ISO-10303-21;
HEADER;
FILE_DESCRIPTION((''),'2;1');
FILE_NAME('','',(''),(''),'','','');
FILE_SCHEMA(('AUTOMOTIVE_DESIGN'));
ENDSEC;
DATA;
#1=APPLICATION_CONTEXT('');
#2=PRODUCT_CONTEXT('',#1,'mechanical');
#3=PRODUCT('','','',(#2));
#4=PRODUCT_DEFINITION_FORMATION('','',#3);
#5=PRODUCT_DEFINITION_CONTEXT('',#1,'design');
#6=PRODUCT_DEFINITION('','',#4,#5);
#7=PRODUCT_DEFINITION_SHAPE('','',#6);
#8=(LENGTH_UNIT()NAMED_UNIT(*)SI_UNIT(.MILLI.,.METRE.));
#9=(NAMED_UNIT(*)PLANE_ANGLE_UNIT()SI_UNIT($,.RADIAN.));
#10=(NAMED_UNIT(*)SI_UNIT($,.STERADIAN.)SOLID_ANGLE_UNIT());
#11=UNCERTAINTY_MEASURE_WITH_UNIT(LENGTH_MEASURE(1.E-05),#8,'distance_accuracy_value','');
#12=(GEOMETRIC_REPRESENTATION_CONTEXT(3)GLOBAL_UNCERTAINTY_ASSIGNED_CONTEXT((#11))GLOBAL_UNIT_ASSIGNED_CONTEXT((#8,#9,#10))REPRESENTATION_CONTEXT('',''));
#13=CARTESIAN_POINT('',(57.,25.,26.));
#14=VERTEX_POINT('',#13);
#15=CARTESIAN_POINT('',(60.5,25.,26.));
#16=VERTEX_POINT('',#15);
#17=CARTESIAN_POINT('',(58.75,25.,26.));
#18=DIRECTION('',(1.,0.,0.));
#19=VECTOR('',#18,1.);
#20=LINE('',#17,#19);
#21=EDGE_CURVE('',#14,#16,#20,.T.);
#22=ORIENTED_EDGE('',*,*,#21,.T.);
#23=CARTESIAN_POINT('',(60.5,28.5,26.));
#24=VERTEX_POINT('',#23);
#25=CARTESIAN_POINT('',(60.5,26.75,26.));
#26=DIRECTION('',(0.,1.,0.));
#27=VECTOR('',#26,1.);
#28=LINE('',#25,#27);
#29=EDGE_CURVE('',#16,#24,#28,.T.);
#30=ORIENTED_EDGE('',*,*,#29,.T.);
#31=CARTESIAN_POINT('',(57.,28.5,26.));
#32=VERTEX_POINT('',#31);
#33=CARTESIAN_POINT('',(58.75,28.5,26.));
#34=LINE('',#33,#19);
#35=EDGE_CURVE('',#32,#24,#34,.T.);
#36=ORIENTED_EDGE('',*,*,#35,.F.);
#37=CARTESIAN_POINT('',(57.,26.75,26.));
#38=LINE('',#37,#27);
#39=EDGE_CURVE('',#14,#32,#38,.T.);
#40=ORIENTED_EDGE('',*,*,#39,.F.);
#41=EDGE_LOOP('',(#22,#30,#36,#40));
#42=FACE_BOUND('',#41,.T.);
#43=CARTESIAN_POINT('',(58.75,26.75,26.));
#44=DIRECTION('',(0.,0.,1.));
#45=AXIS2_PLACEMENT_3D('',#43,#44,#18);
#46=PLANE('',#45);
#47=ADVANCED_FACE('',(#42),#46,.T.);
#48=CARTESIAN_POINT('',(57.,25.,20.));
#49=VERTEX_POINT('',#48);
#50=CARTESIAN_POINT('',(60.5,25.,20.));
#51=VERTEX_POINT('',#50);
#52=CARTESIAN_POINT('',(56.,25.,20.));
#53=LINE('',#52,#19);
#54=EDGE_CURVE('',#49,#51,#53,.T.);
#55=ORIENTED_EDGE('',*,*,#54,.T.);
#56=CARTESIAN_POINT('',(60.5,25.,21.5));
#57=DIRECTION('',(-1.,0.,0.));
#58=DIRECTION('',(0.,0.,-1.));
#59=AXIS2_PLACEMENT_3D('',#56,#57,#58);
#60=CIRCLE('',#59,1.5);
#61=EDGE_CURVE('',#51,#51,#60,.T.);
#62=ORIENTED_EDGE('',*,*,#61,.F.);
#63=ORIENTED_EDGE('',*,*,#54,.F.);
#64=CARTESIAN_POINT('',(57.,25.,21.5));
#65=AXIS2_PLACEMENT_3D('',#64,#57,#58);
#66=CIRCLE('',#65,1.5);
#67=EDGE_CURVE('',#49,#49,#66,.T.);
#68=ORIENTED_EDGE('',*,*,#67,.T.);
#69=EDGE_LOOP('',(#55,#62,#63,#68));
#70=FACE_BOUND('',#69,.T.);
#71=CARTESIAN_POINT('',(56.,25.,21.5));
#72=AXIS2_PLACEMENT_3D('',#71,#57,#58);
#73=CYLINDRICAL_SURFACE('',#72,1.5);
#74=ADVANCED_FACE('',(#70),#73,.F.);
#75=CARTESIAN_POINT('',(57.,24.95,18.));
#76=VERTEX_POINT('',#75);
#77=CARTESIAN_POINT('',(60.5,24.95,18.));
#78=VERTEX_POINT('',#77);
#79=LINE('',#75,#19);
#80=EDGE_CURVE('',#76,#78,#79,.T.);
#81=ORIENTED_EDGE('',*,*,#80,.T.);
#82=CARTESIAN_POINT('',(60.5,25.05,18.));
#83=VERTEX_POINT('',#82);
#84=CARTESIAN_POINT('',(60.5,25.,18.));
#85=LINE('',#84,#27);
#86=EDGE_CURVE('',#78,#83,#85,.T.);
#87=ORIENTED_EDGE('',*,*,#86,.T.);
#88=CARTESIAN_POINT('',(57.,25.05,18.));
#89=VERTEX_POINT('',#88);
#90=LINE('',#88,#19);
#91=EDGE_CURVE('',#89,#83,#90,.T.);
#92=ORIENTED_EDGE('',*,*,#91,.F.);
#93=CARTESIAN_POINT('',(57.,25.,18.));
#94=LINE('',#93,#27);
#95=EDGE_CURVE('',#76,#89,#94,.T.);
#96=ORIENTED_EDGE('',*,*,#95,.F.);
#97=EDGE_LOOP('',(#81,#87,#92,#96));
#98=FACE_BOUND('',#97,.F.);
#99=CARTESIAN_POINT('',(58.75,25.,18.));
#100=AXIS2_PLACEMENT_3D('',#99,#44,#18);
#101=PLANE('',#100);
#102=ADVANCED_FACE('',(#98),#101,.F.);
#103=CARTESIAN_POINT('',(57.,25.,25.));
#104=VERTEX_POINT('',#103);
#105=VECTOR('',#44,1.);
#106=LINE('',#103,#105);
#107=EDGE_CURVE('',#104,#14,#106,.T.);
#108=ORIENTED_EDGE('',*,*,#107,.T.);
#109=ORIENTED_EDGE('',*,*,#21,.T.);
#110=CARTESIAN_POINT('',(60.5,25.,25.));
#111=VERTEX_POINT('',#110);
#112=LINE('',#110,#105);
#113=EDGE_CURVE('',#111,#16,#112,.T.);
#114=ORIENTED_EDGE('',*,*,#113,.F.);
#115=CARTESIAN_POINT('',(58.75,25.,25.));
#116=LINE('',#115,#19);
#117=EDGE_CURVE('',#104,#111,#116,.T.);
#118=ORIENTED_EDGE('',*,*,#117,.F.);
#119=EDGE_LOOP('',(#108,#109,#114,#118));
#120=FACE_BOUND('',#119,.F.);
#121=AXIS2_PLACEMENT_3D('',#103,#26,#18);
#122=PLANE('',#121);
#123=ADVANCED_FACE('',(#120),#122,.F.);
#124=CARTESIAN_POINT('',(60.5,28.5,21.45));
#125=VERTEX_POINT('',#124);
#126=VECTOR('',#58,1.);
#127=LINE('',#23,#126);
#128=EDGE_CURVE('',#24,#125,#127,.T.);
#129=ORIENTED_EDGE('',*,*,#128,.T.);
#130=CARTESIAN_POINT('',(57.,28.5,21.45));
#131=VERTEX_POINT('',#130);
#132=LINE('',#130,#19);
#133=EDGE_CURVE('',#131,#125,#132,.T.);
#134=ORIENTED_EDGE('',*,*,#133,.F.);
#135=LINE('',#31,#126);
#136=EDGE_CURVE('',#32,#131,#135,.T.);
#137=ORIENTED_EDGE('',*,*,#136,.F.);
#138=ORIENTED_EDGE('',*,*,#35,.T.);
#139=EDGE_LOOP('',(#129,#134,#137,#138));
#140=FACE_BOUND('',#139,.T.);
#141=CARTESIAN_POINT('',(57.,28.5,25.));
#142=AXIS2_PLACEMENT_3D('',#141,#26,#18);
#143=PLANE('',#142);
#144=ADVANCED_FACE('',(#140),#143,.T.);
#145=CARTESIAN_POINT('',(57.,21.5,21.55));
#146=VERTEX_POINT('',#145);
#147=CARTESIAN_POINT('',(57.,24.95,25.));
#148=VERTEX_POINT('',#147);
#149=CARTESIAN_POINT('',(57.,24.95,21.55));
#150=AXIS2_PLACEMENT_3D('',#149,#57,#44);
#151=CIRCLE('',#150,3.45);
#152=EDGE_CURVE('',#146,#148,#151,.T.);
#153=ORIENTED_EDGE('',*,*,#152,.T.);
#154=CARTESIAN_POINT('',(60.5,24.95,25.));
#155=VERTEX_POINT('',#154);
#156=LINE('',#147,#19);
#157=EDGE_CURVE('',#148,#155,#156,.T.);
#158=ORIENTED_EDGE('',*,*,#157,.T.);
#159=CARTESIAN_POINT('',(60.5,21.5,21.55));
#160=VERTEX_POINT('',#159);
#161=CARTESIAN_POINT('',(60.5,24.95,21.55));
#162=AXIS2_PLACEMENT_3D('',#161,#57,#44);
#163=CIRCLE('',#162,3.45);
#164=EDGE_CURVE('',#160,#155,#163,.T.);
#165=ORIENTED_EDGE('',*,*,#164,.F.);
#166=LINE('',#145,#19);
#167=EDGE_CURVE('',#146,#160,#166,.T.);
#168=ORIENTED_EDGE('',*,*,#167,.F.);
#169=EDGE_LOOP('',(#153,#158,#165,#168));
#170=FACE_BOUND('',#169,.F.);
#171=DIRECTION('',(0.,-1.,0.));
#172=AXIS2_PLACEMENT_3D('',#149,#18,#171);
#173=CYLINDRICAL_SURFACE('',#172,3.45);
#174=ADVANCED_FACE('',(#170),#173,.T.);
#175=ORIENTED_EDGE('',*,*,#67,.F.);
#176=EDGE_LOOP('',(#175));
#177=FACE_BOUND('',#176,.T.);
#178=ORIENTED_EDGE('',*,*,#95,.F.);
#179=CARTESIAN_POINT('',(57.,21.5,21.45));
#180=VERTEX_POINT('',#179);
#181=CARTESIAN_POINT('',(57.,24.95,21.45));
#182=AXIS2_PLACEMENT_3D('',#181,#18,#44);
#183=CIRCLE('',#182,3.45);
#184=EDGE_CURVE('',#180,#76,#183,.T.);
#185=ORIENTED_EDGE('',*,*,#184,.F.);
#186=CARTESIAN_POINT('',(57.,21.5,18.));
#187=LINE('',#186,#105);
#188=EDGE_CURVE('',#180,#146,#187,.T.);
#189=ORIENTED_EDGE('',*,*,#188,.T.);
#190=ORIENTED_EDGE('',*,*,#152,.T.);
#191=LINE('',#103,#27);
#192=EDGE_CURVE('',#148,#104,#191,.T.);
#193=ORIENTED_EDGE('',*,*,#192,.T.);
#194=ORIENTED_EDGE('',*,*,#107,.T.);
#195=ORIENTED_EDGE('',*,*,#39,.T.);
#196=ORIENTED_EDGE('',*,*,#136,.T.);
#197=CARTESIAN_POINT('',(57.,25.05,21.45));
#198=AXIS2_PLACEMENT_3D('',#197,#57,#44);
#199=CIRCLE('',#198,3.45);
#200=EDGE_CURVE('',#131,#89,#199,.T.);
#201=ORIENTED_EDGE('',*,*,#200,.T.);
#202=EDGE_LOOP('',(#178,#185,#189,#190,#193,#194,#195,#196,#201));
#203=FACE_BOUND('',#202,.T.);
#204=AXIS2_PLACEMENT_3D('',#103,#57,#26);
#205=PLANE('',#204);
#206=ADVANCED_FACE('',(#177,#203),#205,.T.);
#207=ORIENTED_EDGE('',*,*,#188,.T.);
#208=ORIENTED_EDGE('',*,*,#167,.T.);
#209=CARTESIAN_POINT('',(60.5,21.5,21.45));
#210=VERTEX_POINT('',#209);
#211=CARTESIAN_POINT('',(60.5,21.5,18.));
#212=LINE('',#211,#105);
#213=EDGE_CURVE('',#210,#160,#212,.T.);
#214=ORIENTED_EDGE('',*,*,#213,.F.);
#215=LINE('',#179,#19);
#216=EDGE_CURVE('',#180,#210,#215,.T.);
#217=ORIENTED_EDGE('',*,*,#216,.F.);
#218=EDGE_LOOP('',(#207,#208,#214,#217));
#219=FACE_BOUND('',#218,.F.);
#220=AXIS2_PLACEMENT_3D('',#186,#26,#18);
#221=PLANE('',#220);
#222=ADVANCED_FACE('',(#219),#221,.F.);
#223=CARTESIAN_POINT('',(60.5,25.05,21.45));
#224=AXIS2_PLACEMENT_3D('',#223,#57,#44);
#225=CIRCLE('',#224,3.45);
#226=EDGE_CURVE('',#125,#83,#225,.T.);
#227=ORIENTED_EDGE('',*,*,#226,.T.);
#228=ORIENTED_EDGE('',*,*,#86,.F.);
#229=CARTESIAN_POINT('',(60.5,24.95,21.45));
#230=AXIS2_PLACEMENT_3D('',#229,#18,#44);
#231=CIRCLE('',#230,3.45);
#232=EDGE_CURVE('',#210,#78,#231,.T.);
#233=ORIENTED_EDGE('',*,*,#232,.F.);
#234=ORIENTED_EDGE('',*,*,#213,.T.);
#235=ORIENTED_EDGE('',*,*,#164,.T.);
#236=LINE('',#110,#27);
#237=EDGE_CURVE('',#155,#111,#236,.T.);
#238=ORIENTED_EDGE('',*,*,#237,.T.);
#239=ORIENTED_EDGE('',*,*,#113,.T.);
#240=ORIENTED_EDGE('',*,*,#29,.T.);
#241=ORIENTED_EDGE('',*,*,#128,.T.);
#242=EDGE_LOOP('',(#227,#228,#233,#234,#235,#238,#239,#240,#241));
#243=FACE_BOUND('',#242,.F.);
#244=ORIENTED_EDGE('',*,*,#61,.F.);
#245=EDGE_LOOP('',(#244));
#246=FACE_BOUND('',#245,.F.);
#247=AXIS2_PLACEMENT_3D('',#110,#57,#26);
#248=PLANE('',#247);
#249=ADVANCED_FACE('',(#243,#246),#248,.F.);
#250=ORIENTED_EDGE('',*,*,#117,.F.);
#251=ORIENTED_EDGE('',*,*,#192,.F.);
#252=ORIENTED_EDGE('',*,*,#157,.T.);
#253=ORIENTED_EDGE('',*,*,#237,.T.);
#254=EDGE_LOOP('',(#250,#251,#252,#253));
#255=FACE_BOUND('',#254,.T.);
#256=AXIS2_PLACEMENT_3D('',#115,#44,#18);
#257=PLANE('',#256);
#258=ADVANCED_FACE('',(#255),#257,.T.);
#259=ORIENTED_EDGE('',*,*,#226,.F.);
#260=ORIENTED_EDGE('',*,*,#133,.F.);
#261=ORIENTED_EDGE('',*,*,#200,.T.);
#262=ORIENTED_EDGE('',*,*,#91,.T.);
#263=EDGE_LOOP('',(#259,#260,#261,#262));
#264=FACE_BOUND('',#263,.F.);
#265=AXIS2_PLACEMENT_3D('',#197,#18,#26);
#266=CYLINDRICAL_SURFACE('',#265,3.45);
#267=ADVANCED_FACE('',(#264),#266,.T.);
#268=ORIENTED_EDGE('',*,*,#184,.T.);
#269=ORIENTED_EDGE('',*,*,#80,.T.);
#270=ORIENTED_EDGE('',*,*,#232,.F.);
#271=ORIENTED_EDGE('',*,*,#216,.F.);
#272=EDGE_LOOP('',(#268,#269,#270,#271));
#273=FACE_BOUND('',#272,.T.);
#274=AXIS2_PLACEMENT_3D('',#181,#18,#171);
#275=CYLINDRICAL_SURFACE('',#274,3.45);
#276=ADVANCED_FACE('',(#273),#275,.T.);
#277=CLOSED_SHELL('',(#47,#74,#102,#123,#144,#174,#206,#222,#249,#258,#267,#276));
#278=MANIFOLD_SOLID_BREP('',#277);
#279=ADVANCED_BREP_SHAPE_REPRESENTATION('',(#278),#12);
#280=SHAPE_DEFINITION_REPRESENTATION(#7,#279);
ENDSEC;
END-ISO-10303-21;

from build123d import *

# Parameters (mm, degrees)
BOX012_W          = 3.5
BOX012_H          = 3.5
BOX012_DEPTH      = 1
CYLINDER003_R     = 1.5
CYLINDER003_DEPTH = 20
BOX011_W          = 3.5
BOX011_H          = 7
BOX011_DEPTH      = 7
FILLET002008002_R = 3.45


with BuildPart() as cube012:
    # Box012 → Box012 (new body)
    with BuildSketch(Plane(origin=(57, 25, 25), x_dir=(1, 0, 0), z_dir=(0, 0, 1))):
        with Locations((1.75, 1.75)):
            Rectangle(BOX012_W, BOX012_H)
    extrude(amount=BOX012_DEPTH)


with BuildPart() as cylinder003:
    # Cylinder003 → Cylinder003 (new body)
    with BuildSketch(Plane(origin=(56, 23, 21.5), x_dir=(0, 0, -1), z_dir=(1, 0, 0))):
        Circle(CYLINDER003_R)
    extrude(amount=CYLINDER003_DEPTH)


with BuildPart() as fusion001:
    # Box011 → Box011 (new body)
    with BuildSketch(Plane(origin=(57, 19.5, 18), x_dir=(1, 0, 0), z_dir=(0, 0, 1))):
        with Locations((1.75, 3.5)):
            Rectangle(BOX011_W, BOX011_H)
    extrude(amount=BOX011_DEPTH)

    # Fillet002008002
    fillet002008002_edges = [fusion001.edges().sort_by_distance(p)[0] for p in [
        (58.75, 19.5, 18),
        (58.75, 19.5, 25),
        (58.75, 26.5, 18),
    ]]
    fillet(fillet002008002_edges, radius=FILLET002008002_R)

    # Cut001: cut Cylinder003
    add(cylinder003.part, mode=Mode.SUBTRACT)


with BuildPart() as fusion001_1:
    # Cut001 placement: moved
    add(fusion001.part.moved(Location((0, 2, 0))))

    # Fusion001: union Cube012
    add(cube012.part)


solid = fusion001_1.part
